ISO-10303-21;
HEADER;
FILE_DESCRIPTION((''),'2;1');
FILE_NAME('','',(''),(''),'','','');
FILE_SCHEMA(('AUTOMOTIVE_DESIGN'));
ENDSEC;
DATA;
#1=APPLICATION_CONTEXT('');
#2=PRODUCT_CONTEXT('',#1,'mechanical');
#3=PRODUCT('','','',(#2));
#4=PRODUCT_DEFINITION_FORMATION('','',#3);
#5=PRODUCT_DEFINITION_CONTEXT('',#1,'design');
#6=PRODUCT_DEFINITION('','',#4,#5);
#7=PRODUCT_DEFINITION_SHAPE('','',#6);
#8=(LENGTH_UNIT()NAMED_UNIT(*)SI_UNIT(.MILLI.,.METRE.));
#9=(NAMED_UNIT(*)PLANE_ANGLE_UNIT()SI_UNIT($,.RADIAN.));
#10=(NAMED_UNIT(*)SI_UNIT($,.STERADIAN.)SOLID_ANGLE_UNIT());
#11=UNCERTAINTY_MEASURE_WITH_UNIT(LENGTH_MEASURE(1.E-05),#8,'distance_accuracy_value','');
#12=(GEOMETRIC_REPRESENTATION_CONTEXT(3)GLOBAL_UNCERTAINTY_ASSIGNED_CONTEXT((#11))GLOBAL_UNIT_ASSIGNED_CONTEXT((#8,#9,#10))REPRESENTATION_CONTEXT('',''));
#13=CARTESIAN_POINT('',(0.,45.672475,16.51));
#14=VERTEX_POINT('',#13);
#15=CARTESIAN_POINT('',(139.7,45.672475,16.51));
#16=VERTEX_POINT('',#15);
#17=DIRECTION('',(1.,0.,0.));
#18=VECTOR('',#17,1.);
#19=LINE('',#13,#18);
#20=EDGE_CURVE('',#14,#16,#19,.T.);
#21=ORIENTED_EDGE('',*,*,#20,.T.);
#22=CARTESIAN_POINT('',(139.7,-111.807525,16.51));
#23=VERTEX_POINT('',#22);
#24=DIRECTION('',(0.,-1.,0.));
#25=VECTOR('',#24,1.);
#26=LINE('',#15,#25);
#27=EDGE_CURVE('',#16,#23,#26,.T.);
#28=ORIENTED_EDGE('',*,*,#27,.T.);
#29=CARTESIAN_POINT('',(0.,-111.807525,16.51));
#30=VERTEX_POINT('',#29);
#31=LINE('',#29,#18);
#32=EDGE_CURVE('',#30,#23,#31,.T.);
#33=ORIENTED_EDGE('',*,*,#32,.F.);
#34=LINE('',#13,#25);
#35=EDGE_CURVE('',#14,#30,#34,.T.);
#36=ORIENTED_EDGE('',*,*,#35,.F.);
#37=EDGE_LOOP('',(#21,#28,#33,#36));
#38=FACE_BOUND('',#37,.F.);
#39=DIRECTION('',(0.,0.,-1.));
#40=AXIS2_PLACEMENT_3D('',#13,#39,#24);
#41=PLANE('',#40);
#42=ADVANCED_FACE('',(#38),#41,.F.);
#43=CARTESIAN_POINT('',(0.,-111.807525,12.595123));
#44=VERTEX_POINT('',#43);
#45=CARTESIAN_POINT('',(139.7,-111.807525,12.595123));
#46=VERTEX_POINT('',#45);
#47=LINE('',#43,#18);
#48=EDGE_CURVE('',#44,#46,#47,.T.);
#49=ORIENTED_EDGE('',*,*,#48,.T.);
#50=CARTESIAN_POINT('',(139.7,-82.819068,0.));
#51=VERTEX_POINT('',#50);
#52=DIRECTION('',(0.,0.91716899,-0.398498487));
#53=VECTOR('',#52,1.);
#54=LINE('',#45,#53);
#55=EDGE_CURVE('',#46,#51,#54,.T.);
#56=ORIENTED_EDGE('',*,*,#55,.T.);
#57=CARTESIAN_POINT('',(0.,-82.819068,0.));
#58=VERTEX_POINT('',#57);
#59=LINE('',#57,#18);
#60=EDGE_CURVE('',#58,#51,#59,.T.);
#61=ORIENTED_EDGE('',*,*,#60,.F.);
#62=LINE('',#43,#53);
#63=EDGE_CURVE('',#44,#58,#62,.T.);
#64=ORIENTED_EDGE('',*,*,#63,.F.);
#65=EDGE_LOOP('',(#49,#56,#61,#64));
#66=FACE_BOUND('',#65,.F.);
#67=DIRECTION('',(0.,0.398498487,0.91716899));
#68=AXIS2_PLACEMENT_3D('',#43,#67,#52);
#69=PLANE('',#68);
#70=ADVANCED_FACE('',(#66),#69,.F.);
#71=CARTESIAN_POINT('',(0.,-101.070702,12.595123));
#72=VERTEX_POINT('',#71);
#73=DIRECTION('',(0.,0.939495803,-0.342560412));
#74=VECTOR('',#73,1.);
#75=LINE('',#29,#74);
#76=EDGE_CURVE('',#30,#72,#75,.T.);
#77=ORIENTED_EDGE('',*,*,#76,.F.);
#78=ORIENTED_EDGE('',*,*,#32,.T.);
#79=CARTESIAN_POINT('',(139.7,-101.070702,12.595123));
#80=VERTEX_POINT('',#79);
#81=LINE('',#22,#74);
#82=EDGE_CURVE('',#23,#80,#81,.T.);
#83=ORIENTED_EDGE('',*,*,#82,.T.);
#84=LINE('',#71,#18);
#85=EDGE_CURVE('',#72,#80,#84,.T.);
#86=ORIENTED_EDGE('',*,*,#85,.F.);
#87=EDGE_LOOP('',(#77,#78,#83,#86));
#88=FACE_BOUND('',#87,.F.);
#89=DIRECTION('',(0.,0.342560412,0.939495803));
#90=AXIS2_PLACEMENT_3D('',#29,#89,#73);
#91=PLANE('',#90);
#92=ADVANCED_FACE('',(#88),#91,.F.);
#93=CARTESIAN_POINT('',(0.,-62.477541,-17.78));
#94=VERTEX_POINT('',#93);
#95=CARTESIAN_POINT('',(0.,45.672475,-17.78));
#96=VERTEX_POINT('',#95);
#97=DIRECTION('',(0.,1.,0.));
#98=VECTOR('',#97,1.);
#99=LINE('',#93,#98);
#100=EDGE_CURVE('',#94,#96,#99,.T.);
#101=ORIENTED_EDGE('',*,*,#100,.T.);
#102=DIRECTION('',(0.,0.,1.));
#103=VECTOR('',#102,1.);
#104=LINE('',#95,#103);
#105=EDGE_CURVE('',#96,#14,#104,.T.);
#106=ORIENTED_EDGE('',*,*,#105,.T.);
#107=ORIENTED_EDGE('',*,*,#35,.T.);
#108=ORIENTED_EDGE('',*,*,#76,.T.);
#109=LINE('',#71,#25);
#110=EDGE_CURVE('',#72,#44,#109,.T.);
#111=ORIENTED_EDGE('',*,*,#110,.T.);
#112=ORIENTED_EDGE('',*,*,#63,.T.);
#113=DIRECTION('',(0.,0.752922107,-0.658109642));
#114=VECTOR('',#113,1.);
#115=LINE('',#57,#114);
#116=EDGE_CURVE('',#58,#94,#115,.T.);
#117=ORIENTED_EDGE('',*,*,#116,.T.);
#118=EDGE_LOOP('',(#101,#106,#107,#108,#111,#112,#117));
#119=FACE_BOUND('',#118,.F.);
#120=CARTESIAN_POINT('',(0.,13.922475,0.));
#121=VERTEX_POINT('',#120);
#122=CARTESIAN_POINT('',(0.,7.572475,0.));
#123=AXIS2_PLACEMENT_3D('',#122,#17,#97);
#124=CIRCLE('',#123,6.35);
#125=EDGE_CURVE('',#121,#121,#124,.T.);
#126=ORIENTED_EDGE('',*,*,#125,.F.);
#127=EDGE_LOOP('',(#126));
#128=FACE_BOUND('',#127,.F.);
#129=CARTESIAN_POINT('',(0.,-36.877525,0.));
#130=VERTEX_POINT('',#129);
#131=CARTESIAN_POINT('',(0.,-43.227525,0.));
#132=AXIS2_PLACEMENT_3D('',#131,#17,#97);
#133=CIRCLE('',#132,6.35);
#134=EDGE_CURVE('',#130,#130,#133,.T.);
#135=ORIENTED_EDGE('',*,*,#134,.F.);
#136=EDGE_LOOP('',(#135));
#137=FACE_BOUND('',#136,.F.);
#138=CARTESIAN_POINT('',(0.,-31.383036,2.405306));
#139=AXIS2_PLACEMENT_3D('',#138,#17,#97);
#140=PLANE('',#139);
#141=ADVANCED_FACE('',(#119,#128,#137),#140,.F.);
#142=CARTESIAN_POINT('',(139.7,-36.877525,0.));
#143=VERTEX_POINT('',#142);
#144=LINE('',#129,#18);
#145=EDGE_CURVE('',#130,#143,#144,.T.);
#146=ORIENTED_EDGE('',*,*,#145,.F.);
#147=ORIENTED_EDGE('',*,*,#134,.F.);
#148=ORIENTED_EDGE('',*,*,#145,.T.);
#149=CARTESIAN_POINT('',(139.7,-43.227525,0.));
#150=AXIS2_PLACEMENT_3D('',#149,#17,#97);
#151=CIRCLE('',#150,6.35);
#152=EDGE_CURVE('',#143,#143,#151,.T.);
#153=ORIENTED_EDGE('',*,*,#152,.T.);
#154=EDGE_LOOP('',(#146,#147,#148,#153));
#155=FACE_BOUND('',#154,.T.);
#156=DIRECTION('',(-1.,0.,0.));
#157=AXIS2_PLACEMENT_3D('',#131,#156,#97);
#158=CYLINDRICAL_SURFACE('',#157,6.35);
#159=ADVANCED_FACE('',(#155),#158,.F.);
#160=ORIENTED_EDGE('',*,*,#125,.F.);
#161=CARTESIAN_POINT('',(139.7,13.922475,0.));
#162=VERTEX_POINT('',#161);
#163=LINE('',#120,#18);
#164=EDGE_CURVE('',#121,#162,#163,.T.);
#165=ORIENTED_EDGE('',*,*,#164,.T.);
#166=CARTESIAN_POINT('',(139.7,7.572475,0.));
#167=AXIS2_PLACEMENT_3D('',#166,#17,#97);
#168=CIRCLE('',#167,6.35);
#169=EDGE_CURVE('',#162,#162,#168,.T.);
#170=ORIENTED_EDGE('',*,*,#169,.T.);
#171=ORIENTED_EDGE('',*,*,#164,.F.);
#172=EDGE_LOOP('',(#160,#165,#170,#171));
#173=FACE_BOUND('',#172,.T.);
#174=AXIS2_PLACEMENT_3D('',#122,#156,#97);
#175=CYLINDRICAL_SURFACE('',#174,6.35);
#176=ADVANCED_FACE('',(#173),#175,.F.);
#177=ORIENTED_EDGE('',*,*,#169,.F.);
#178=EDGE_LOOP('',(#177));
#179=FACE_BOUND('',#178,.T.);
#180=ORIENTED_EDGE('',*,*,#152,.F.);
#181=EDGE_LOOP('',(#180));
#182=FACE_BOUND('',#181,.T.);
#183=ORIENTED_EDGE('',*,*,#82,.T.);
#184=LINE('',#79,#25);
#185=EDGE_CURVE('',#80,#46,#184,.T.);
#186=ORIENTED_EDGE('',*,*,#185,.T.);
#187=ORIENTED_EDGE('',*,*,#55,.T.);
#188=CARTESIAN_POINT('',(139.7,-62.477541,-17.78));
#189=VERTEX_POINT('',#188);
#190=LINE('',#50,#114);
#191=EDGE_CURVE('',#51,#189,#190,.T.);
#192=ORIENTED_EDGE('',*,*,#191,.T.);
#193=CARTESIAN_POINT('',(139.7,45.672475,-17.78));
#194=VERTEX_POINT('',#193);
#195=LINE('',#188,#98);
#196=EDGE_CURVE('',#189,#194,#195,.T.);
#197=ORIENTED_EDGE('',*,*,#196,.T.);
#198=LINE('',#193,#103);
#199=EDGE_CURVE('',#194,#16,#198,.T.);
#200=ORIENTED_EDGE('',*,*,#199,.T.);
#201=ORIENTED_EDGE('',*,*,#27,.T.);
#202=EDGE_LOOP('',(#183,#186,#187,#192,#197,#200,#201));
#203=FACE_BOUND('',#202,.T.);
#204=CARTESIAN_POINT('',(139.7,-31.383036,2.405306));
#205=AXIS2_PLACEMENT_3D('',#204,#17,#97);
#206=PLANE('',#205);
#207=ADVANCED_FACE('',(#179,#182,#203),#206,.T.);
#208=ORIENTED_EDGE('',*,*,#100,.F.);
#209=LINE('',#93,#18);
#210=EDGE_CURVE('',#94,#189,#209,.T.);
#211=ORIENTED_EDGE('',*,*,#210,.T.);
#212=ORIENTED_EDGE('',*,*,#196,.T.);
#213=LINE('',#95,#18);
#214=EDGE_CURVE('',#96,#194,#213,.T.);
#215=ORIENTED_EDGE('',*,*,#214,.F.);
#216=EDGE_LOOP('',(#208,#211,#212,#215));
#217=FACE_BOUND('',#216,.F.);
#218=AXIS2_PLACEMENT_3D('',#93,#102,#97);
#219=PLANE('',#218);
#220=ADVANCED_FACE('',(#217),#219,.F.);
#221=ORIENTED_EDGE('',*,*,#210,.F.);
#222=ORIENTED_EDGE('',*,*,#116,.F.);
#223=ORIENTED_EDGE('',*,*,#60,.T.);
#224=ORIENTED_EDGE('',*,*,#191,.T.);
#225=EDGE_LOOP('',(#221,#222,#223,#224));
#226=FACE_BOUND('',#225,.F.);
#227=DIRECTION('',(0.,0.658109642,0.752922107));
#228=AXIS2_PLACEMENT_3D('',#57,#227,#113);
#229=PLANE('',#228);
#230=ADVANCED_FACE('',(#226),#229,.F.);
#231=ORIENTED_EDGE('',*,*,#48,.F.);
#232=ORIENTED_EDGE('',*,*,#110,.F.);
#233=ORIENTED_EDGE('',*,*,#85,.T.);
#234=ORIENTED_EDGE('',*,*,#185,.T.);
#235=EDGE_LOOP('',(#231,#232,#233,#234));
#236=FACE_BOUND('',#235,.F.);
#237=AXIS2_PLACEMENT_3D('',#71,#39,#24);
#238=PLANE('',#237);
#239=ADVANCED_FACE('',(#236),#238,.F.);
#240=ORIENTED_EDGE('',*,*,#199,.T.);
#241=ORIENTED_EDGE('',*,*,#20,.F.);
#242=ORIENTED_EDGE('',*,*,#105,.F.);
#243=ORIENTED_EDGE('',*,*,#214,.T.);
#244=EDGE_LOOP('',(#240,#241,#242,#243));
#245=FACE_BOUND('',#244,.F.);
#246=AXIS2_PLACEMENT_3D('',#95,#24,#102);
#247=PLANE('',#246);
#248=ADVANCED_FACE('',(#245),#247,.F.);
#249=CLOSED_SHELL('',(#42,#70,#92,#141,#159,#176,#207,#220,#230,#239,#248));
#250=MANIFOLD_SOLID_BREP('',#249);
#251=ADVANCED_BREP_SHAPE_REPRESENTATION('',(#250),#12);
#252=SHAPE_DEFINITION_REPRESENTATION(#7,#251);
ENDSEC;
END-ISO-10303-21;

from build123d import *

# Parameters (mm, degrees)
F0_R     = 6.35
F1_DEPTH = 139.7


with BuildPart() as f1:
    # F0 (on Right) → F1 (new body)
    with BuildSketch(Plane.YZ):
        Polygon((45.672475, -17.78), (45.672475, 16.51), (-111.807525, 16.51), (-101.070702, 12.595123), (-111.807525, 12.595123), (-82.819068, 0), (-62.477541, -17.78), align=None)
        with Locations((-43.227525, 0)):
            Circle(F0_R, mode=Mode.SUBTRACT)
        with Locations((7.572475, 0)):
            Circle(F0_R, mode=Mode.SUBTRACT)
    extrude(amount=F1_DEPTH)


solid = f1.part
